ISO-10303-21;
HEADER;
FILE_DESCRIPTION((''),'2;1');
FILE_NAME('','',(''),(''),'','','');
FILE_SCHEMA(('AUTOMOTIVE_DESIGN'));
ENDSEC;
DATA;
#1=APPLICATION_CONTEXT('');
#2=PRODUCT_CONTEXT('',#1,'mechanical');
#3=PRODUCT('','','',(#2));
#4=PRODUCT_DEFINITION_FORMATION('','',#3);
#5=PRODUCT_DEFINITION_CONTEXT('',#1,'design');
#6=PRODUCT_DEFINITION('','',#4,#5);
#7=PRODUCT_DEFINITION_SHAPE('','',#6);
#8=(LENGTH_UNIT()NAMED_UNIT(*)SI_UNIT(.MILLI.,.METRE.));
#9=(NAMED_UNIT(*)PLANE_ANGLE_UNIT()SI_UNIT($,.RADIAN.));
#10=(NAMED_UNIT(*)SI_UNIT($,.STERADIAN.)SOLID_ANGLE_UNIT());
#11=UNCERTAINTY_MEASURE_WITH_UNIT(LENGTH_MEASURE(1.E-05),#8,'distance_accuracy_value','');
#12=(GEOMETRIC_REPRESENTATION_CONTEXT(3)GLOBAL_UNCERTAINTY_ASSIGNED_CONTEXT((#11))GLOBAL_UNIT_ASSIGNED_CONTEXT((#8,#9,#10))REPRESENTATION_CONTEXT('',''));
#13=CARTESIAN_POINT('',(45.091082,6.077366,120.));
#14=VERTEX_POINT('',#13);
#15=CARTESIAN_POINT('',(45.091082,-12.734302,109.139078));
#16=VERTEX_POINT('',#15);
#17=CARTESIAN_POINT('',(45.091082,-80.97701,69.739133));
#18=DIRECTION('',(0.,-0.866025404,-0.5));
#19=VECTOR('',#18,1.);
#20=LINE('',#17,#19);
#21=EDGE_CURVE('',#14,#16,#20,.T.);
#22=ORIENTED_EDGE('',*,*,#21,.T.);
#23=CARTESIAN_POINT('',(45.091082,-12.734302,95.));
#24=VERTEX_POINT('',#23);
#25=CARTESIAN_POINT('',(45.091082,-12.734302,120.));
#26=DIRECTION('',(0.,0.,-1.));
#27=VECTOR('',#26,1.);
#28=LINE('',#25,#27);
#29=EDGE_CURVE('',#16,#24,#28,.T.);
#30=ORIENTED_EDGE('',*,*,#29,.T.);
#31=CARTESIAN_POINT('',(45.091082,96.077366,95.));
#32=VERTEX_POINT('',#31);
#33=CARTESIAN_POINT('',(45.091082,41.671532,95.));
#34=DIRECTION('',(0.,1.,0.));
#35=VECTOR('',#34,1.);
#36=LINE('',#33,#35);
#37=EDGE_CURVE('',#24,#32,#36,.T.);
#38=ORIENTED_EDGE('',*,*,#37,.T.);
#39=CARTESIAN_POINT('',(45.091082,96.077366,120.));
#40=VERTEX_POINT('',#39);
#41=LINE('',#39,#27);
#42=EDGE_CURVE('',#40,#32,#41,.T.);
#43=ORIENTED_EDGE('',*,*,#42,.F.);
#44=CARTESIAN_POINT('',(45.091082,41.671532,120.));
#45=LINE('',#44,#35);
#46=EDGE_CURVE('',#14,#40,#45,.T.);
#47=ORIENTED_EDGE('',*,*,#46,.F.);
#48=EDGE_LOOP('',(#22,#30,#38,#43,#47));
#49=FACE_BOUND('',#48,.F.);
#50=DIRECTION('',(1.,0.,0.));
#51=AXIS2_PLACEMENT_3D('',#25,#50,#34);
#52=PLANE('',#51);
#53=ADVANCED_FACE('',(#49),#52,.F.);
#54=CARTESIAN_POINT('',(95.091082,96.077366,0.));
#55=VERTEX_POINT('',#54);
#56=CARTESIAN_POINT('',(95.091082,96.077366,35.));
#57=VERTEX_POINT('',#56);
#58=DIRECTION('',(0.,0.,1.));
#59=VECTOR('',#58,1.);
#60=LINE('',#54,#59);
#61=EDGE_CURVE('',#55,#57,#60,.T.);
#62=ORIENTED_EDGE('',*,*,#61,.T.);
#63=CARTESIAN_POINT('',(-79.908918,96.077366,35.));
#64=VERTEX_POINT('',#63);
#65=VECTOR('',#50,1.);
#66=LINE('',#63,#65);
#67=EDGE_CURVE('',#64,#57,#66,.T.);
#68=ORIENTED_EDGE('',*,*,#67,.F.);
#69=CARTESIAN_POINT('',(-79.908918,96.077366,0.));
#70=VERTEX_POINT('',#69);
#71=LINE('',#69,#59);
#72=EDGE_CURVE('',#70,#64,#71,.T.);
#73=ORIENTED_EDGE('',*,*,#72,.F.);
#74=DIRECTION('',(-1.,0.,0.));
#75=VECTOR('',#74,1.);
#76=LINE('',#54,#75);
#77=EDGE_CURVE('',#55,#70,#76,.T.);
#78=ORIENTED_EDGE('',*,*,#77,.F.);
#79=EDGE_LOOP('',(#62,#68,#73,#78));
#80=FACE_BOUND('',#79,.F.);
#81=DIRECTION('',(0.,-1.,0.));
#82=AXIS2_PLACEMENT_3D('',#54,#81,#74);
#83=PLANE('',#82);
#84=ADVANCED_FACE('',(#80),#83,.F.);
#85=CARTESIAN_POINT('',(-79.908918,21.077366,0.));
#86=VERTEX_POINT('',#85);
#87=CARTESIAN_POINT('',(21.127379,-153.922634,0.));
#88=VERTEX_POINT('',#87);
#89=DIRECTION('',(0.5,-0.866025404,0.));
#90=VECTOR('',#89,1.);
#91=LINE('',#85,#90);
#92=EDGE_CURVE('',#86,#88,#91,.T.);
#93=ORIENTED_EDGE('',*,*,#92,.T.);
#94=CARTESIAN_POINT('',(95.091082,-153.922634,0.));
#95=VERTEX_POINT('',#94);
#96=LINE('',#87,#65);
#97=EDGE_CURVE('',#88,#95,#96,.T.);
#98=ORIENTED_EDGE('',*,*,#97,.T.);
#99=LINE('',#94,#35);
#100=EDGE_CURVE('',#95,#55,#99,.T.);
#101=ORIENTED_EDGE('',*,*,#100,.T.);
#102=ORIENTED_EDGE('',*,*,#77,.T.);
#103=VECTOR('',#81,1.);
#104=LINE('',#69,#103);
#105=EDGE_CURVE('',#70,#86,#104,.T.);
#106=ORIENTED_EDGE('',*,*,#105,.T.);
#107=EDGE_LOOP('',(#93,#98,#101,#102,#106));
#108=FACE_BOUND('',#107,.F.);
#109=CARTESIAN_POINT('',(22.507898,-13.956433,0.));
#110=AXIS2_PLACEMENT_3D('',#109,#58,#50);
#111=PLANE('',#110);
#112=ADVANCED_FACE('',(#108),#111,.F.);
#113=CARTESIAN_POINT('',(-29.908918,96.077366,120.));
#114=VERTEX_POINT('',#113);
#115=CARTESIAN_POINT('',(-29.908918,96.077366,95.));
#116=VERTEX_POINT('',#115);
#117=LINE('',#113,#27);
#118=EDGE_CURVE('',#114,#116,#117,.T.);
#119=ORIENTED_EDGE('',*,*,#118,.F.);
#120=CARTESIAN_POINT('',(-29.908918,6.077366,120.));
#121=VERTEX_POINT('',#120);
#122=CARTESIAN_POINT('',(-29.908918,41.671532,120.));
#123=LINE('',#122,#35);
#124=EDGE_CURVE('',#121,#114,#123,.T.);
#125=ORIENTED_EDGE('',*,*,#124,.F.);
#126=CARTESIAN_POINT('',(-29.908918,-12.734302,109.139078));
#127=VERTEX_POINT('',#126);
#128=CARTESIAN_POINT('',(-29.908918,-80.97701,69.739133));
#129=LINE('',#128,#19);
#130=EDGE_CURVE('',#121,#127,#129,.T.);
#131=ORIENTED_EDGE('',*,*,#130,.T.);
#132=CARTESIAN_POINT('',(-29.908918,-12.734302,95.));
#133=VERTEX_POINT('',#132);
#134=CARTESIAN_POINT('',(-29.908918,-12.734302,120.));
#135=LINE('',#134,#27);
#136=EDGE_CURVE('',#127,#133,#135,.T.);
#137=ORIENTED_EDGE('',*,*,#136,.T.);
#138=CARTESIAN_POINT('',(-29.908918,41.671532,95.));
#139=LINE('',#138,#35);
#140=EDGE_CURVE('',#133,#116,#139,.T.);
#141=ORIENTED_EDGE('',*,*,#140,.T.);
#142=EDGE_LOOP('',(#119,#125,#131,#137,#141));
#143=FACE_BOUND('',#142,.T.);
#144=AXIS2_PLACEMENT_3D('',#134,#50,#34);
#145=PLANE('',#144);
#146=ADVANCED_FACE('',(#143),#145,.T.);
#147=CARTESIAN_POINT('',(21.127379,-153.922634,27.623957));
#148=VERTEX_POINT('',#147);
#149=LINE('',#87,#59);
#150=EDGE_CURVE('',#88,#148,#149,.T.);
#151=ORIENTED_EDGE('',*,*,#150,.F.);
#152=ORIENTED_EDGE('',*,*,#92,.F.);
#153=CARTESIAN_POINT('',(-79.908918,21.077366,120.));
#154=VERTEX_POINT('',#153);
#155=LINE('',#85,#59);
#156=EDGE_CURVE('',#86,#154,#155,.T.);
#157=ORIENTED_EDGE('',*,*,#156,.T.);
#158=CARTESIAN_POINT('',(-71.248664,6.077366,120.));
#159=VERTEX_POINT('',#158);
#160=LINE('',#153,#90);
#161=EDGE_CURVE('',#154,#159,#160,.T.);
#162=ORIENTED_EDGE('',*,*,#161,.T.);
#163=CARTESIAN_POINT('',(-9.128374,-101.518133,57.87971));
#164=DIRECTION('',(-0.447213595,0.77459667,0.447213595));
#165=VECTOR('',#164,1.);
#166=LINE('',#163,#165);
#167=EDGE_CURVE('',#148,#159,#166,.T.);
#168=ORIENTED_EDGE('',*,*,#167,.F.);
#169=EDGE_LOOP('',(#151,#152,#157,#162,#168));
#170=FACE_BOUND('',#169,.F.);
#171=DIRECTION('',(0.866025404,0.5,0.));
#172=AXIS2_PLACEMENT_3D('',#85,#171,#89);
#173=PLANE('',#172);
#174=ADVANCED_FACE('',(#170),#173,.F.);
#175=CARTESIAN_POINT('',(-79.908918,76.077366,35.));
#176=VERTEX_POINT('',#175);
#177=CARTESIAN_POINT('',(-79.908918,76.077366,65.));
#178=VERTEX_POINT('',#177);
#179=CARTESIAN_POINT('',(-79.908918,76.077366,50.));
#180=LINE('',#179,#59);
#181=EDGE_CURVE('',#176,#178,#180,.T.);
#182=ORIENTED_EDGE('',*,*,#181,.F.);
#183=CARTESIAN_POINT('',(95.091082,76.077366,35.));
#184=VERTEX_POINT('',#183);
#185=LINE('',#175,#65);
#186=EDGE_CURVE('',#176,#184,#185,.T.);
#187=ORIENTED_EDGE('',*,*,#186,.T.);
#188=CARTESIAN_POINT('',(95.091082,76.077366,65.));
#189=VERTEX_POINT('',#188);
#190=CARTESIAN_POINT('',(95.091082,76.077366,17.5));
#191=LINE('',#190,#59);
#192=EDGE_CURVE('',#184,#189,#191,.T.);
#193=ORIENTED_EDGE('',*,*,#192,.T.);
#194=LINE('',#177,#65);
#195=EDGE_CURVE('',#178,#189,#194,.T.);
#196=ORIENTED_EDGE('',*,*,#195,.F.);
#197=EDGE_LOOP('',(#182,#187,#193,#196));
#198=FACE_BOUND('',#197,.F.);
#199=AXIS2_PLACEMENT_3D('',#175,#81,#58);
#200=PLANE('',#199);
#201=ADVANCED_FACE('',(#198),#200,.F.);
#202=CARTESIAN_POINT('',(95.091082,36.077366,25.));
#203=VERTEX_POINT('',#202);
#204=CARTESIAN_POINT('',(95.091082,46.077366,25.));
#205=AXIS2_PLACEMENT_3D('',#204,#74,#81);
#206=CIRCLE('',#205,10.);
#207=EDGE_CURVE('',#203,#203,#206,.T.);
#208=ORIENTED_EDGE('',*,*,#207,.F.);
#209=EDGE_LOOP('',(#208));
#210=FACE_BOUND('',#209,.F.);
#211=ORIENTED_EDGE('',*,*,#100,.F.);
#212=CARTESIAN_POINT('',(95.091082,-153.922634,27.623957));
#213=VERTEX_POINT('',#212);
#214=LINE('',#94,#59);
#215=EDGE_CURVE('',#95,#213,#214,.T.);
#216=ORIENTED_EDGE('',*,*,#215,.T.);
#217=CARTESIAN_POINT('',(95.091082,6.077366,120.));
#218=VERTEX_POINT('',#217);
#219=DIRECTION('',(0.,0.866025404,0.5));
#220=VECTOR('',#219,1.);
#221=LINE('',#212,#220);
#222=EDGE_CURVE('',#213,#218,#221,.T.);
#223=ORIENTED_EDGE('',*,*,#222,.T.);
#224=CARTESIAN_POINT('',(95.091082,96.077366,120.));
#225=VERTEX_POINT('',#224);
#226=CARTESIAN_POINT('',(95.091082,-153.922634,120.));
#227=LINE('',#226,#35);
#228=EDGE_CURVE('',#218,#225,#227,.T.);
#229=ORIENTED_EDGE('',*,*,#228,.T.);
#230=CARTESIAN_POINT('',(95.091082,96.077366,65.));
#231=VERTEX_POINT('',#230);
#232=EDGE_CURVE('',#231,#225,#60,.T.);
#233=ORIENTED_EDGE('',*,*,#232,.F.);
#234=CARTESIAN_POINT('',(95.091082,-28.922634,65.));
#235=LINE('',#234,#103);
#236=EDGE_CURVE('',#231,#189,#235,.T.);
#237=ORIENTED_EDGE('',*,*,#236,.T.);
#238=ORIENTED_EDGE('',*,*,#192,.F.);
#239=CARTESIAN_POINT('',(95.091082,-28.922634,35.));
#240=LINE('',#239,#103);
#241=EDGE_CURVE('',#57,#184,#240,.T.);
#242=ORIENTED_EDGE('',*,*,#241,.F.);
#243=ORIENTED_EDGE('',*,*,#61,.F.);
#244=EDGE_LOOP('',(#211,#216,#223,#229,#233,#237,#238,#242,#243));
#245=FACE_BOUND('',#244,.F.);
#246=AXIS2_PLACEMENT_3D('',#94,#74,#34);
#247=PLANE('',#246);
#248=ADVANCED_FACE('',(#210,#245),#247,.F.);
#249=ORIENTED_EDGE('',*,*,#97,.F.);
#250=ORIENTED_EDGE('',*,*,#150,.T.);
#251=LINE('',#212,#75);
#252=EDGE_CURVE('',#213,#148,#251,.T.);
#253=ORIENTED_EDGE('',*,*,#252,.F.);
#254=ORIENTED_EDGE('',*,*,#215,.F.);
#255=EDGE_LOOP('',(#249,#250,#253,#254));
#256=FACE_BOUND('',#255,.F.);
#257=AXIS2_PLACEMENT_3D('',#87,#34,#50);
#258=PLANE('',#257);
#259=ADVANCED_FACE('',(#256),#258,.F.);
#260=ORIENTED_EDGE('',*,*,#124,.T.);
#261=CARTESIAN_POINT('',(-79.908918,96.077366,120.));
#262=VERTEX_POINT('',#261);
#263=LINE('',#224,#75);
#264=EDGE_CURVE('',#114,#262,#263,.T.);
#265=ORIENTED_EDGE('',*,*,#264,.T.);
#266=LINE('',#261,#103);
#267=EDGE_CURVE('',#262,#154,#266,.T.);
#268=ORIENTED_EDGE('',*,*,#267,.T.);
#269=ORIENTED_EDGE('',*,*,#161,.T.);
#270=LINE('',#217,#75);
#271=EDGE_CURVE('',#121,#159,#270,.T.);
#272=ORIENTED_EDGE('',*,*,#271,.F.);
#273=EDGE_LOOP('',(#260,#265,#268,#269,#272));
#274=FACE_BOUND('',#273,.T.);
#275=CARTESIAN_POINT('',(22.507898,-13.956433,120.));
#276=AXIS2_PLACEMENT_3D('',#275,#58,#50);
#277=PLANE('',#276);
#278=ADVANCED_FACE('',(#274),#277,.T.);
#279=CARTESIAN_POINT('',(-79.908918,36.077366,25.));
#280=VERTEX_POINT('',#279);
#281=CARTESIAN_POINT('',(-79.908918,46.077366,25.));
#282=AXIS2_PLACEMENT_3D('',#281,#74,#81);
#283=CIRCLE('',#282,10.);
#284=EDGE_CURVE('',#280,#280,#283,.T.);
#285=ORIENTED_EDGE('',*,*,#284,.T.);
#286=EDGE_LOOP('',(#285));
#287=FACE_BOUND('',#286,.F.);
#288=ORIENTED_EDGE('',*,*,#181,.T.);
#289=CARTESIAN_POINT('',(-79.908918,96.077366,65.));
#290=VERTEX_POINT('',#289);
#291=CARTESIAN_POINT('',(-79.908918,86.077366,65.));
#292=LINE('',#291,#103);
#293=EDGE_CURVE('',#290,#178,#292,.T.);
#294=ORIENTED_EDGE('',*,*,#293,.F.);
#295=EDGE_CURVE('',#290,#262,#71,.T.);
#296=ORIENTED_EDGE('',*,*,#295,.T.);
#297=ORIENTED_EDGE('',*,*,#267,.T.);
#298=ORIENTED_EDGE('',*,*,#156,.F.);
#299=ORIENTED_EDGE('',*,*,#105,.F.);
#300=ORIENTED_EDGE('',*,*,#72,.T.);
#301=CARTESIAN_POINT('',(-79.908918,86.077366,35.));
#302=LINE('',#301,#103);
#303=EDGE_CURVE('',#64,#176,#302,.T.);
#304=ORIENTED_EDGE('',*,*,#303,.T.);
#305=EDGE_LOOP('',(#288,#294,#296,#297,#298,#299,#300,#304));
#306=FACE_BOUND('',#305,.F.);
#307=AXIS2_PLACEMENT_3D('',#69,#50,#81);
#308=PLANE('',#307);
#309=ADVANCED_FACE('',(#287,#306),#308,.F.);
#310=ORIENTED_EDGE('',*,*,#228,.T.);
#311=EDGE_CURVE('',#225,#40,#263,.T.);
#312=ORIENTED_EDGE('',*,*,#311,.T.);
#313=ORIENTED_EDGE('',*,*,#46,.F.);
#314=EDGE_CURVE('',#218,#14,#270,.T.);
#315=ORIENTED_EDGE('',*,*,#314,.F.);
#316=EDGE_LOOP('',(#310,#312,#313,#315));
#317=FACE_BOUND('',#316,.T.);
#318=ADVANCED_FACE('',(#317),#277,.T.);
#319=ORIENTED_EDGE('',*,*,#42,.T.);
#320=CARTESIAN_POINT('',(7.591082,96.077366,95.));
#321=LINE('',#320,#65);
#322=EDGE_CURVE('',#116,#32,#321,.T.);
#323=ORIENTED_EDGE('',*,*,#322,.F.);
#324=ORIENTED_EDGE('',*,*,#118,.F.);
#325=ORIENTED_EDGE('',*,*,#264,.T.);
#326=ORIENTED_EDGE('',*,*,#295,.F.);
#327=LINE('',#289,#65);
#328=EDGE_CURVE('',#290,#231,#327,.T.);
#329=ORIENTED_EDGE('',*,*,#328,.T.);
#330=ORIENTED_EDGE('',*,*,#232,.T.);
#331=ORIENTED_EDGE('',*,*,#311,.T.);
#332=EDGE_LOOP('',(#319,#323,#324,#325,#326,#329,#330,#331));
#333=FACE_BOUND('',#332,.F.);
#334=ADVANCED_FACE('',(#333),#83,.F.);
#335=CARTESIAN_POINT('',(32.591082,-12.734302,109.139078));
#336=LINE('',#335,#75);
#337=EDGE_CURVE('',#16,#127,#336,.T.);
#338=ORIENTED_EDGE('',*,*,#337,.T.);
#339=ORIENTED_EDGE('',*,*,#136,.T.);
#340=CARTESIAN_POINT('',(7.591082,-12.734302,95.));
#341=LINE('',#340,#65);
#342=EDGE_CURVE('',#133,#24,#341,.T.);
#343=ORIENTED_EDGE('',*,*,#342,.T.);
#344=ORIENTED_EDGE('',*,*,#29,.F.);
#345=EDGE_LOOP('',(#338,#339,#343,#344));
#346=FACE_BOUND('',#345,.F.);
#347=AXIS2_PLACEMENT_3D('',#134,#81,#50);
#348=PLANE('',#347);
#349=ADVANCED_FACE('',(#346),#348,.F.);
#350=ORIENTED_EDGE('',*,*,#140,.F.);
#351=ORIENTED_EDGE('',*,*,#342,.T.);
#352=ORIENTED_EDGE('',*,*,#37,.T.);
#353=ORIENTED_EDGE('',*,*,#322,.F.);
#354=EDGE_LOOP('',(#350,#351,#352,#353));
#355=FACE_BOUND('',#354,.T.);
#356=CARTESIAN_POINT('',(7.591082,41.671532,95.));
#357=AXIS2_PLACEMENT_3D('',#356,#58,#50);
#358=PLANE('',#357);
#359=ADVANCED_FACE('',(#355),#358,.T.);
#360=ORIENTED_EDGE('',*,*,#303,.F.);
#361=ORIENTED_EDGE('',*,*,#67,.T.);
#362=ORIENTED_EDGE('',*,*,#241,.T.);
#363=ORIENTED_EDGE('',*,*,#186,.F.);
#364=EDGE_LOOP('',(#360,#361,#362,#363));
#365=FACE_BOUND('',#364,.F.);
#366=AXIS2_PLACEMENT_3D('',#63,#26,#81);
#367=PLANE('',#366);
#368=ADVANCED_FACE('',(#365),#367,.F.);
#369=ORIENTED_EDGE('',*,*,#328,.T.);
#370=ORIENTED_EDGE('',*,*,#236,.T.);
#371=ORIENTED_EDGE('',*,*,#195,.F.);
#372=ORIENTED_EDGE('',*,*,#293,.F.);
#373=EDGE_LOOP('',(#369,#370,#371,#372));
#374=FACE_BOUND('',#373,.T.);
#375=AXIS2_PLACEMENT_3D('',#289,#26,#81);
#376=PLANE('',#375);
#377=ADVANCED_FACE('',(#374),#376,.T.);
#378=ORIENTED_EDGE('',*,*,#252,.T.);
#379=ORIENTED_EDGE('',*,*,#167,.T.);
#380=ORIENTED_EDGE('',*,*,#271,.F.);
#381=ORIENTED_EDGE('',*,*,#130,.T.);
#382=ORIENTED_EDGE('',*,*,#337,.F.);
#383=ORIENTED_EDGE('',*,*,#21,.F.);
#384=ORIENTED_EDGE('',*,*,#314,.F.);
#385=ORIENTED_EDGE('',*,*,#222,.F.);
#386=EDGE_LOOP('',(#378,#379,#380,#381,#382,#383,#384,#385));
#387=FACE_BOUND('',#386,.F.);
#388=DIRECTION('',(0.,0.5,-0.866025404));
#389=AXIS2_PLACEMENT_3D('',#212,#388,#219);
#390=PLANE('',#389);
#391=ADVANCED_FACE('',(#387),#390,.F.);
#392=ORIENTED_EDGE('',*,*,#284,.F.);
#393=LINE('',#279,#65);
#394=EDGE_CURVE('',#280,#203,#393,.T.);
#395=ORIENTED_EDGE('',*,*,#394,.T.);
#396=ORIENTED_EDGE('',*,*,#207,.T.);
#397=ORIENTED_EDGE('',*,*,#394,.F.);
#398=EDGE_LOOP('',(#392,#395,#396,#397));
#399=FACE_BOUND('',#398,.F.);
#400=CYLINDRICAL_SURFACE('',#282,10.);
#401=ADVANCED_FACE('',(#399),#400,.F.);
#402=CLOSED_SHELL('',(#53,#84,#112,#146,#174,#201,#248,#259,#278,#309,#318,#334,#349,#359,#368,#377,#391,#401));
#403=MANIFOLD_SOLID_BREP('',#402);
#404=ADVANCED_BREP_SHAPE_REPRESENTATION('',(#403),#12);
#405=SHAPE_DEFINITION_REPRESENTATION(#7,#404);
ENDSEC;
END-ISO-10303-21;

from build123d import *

# Parameters (mm, degrees)
F1_DEPTH = 120
F3_DEPTH = 175.001
F4_W     = 75
F4_H     = 108.811668
F5_DEPTH = 25
F6_W     = 20
F6_H     = 30
F6_R     = 10
F7_DEPTH = 175.001


with BuildPart() as f1:
    # F0 (on Top) → F1 (new body)
    with BuildSketch(Plane.XY):
        Polygon((-29.908918, 96.077366), (-79.908918, 96.077366), (-79.908918, 21.077366), (21.127379, -153.922634), (95.091082, -153.922634), (95.091082, 96.077366), (32.76388, 96.077366), align=None)
    extrude(amount=F1_DEPTH)

    # F2 (on face) → F3 (cut, through all)
    with BuildSketch(Plane.YZ.offset(95.091082)):
        Polygon((-153.922634, 27.623957), (6.077366, 120), (-153.922634, 120), align=None)
    extrude(amount=-F3_DEPTH, mode=Mode.SUBTRACT)

    # F4 (on face) → F5 (cut)
    with BuildSketch(Plane.XY.offset(120)):
        with Locations((7.591082, 41.671532)):
            Rectangle(F4_W, F4_H)
    extrude(amount=-F5_DEPTH, mode=Mode.SUBTRACT)

    # F6 (on face) → F7 (cut, through all)
    with BuildSketch(Plane(origin=(-79.908918, 0, 0), x_dir=(0, -1, 0), z_dir=(-1, 0, 0))):
        with Locations((-86.077366, 50)):
            Rectangle(F6_W, F6_H)
        with Locations((-46.077366, 25)):
            Circle(F6_R)
    extrude(amount=-F7_DEPTH, mode=Mode.SUBTRACT)


solid = f1.part
